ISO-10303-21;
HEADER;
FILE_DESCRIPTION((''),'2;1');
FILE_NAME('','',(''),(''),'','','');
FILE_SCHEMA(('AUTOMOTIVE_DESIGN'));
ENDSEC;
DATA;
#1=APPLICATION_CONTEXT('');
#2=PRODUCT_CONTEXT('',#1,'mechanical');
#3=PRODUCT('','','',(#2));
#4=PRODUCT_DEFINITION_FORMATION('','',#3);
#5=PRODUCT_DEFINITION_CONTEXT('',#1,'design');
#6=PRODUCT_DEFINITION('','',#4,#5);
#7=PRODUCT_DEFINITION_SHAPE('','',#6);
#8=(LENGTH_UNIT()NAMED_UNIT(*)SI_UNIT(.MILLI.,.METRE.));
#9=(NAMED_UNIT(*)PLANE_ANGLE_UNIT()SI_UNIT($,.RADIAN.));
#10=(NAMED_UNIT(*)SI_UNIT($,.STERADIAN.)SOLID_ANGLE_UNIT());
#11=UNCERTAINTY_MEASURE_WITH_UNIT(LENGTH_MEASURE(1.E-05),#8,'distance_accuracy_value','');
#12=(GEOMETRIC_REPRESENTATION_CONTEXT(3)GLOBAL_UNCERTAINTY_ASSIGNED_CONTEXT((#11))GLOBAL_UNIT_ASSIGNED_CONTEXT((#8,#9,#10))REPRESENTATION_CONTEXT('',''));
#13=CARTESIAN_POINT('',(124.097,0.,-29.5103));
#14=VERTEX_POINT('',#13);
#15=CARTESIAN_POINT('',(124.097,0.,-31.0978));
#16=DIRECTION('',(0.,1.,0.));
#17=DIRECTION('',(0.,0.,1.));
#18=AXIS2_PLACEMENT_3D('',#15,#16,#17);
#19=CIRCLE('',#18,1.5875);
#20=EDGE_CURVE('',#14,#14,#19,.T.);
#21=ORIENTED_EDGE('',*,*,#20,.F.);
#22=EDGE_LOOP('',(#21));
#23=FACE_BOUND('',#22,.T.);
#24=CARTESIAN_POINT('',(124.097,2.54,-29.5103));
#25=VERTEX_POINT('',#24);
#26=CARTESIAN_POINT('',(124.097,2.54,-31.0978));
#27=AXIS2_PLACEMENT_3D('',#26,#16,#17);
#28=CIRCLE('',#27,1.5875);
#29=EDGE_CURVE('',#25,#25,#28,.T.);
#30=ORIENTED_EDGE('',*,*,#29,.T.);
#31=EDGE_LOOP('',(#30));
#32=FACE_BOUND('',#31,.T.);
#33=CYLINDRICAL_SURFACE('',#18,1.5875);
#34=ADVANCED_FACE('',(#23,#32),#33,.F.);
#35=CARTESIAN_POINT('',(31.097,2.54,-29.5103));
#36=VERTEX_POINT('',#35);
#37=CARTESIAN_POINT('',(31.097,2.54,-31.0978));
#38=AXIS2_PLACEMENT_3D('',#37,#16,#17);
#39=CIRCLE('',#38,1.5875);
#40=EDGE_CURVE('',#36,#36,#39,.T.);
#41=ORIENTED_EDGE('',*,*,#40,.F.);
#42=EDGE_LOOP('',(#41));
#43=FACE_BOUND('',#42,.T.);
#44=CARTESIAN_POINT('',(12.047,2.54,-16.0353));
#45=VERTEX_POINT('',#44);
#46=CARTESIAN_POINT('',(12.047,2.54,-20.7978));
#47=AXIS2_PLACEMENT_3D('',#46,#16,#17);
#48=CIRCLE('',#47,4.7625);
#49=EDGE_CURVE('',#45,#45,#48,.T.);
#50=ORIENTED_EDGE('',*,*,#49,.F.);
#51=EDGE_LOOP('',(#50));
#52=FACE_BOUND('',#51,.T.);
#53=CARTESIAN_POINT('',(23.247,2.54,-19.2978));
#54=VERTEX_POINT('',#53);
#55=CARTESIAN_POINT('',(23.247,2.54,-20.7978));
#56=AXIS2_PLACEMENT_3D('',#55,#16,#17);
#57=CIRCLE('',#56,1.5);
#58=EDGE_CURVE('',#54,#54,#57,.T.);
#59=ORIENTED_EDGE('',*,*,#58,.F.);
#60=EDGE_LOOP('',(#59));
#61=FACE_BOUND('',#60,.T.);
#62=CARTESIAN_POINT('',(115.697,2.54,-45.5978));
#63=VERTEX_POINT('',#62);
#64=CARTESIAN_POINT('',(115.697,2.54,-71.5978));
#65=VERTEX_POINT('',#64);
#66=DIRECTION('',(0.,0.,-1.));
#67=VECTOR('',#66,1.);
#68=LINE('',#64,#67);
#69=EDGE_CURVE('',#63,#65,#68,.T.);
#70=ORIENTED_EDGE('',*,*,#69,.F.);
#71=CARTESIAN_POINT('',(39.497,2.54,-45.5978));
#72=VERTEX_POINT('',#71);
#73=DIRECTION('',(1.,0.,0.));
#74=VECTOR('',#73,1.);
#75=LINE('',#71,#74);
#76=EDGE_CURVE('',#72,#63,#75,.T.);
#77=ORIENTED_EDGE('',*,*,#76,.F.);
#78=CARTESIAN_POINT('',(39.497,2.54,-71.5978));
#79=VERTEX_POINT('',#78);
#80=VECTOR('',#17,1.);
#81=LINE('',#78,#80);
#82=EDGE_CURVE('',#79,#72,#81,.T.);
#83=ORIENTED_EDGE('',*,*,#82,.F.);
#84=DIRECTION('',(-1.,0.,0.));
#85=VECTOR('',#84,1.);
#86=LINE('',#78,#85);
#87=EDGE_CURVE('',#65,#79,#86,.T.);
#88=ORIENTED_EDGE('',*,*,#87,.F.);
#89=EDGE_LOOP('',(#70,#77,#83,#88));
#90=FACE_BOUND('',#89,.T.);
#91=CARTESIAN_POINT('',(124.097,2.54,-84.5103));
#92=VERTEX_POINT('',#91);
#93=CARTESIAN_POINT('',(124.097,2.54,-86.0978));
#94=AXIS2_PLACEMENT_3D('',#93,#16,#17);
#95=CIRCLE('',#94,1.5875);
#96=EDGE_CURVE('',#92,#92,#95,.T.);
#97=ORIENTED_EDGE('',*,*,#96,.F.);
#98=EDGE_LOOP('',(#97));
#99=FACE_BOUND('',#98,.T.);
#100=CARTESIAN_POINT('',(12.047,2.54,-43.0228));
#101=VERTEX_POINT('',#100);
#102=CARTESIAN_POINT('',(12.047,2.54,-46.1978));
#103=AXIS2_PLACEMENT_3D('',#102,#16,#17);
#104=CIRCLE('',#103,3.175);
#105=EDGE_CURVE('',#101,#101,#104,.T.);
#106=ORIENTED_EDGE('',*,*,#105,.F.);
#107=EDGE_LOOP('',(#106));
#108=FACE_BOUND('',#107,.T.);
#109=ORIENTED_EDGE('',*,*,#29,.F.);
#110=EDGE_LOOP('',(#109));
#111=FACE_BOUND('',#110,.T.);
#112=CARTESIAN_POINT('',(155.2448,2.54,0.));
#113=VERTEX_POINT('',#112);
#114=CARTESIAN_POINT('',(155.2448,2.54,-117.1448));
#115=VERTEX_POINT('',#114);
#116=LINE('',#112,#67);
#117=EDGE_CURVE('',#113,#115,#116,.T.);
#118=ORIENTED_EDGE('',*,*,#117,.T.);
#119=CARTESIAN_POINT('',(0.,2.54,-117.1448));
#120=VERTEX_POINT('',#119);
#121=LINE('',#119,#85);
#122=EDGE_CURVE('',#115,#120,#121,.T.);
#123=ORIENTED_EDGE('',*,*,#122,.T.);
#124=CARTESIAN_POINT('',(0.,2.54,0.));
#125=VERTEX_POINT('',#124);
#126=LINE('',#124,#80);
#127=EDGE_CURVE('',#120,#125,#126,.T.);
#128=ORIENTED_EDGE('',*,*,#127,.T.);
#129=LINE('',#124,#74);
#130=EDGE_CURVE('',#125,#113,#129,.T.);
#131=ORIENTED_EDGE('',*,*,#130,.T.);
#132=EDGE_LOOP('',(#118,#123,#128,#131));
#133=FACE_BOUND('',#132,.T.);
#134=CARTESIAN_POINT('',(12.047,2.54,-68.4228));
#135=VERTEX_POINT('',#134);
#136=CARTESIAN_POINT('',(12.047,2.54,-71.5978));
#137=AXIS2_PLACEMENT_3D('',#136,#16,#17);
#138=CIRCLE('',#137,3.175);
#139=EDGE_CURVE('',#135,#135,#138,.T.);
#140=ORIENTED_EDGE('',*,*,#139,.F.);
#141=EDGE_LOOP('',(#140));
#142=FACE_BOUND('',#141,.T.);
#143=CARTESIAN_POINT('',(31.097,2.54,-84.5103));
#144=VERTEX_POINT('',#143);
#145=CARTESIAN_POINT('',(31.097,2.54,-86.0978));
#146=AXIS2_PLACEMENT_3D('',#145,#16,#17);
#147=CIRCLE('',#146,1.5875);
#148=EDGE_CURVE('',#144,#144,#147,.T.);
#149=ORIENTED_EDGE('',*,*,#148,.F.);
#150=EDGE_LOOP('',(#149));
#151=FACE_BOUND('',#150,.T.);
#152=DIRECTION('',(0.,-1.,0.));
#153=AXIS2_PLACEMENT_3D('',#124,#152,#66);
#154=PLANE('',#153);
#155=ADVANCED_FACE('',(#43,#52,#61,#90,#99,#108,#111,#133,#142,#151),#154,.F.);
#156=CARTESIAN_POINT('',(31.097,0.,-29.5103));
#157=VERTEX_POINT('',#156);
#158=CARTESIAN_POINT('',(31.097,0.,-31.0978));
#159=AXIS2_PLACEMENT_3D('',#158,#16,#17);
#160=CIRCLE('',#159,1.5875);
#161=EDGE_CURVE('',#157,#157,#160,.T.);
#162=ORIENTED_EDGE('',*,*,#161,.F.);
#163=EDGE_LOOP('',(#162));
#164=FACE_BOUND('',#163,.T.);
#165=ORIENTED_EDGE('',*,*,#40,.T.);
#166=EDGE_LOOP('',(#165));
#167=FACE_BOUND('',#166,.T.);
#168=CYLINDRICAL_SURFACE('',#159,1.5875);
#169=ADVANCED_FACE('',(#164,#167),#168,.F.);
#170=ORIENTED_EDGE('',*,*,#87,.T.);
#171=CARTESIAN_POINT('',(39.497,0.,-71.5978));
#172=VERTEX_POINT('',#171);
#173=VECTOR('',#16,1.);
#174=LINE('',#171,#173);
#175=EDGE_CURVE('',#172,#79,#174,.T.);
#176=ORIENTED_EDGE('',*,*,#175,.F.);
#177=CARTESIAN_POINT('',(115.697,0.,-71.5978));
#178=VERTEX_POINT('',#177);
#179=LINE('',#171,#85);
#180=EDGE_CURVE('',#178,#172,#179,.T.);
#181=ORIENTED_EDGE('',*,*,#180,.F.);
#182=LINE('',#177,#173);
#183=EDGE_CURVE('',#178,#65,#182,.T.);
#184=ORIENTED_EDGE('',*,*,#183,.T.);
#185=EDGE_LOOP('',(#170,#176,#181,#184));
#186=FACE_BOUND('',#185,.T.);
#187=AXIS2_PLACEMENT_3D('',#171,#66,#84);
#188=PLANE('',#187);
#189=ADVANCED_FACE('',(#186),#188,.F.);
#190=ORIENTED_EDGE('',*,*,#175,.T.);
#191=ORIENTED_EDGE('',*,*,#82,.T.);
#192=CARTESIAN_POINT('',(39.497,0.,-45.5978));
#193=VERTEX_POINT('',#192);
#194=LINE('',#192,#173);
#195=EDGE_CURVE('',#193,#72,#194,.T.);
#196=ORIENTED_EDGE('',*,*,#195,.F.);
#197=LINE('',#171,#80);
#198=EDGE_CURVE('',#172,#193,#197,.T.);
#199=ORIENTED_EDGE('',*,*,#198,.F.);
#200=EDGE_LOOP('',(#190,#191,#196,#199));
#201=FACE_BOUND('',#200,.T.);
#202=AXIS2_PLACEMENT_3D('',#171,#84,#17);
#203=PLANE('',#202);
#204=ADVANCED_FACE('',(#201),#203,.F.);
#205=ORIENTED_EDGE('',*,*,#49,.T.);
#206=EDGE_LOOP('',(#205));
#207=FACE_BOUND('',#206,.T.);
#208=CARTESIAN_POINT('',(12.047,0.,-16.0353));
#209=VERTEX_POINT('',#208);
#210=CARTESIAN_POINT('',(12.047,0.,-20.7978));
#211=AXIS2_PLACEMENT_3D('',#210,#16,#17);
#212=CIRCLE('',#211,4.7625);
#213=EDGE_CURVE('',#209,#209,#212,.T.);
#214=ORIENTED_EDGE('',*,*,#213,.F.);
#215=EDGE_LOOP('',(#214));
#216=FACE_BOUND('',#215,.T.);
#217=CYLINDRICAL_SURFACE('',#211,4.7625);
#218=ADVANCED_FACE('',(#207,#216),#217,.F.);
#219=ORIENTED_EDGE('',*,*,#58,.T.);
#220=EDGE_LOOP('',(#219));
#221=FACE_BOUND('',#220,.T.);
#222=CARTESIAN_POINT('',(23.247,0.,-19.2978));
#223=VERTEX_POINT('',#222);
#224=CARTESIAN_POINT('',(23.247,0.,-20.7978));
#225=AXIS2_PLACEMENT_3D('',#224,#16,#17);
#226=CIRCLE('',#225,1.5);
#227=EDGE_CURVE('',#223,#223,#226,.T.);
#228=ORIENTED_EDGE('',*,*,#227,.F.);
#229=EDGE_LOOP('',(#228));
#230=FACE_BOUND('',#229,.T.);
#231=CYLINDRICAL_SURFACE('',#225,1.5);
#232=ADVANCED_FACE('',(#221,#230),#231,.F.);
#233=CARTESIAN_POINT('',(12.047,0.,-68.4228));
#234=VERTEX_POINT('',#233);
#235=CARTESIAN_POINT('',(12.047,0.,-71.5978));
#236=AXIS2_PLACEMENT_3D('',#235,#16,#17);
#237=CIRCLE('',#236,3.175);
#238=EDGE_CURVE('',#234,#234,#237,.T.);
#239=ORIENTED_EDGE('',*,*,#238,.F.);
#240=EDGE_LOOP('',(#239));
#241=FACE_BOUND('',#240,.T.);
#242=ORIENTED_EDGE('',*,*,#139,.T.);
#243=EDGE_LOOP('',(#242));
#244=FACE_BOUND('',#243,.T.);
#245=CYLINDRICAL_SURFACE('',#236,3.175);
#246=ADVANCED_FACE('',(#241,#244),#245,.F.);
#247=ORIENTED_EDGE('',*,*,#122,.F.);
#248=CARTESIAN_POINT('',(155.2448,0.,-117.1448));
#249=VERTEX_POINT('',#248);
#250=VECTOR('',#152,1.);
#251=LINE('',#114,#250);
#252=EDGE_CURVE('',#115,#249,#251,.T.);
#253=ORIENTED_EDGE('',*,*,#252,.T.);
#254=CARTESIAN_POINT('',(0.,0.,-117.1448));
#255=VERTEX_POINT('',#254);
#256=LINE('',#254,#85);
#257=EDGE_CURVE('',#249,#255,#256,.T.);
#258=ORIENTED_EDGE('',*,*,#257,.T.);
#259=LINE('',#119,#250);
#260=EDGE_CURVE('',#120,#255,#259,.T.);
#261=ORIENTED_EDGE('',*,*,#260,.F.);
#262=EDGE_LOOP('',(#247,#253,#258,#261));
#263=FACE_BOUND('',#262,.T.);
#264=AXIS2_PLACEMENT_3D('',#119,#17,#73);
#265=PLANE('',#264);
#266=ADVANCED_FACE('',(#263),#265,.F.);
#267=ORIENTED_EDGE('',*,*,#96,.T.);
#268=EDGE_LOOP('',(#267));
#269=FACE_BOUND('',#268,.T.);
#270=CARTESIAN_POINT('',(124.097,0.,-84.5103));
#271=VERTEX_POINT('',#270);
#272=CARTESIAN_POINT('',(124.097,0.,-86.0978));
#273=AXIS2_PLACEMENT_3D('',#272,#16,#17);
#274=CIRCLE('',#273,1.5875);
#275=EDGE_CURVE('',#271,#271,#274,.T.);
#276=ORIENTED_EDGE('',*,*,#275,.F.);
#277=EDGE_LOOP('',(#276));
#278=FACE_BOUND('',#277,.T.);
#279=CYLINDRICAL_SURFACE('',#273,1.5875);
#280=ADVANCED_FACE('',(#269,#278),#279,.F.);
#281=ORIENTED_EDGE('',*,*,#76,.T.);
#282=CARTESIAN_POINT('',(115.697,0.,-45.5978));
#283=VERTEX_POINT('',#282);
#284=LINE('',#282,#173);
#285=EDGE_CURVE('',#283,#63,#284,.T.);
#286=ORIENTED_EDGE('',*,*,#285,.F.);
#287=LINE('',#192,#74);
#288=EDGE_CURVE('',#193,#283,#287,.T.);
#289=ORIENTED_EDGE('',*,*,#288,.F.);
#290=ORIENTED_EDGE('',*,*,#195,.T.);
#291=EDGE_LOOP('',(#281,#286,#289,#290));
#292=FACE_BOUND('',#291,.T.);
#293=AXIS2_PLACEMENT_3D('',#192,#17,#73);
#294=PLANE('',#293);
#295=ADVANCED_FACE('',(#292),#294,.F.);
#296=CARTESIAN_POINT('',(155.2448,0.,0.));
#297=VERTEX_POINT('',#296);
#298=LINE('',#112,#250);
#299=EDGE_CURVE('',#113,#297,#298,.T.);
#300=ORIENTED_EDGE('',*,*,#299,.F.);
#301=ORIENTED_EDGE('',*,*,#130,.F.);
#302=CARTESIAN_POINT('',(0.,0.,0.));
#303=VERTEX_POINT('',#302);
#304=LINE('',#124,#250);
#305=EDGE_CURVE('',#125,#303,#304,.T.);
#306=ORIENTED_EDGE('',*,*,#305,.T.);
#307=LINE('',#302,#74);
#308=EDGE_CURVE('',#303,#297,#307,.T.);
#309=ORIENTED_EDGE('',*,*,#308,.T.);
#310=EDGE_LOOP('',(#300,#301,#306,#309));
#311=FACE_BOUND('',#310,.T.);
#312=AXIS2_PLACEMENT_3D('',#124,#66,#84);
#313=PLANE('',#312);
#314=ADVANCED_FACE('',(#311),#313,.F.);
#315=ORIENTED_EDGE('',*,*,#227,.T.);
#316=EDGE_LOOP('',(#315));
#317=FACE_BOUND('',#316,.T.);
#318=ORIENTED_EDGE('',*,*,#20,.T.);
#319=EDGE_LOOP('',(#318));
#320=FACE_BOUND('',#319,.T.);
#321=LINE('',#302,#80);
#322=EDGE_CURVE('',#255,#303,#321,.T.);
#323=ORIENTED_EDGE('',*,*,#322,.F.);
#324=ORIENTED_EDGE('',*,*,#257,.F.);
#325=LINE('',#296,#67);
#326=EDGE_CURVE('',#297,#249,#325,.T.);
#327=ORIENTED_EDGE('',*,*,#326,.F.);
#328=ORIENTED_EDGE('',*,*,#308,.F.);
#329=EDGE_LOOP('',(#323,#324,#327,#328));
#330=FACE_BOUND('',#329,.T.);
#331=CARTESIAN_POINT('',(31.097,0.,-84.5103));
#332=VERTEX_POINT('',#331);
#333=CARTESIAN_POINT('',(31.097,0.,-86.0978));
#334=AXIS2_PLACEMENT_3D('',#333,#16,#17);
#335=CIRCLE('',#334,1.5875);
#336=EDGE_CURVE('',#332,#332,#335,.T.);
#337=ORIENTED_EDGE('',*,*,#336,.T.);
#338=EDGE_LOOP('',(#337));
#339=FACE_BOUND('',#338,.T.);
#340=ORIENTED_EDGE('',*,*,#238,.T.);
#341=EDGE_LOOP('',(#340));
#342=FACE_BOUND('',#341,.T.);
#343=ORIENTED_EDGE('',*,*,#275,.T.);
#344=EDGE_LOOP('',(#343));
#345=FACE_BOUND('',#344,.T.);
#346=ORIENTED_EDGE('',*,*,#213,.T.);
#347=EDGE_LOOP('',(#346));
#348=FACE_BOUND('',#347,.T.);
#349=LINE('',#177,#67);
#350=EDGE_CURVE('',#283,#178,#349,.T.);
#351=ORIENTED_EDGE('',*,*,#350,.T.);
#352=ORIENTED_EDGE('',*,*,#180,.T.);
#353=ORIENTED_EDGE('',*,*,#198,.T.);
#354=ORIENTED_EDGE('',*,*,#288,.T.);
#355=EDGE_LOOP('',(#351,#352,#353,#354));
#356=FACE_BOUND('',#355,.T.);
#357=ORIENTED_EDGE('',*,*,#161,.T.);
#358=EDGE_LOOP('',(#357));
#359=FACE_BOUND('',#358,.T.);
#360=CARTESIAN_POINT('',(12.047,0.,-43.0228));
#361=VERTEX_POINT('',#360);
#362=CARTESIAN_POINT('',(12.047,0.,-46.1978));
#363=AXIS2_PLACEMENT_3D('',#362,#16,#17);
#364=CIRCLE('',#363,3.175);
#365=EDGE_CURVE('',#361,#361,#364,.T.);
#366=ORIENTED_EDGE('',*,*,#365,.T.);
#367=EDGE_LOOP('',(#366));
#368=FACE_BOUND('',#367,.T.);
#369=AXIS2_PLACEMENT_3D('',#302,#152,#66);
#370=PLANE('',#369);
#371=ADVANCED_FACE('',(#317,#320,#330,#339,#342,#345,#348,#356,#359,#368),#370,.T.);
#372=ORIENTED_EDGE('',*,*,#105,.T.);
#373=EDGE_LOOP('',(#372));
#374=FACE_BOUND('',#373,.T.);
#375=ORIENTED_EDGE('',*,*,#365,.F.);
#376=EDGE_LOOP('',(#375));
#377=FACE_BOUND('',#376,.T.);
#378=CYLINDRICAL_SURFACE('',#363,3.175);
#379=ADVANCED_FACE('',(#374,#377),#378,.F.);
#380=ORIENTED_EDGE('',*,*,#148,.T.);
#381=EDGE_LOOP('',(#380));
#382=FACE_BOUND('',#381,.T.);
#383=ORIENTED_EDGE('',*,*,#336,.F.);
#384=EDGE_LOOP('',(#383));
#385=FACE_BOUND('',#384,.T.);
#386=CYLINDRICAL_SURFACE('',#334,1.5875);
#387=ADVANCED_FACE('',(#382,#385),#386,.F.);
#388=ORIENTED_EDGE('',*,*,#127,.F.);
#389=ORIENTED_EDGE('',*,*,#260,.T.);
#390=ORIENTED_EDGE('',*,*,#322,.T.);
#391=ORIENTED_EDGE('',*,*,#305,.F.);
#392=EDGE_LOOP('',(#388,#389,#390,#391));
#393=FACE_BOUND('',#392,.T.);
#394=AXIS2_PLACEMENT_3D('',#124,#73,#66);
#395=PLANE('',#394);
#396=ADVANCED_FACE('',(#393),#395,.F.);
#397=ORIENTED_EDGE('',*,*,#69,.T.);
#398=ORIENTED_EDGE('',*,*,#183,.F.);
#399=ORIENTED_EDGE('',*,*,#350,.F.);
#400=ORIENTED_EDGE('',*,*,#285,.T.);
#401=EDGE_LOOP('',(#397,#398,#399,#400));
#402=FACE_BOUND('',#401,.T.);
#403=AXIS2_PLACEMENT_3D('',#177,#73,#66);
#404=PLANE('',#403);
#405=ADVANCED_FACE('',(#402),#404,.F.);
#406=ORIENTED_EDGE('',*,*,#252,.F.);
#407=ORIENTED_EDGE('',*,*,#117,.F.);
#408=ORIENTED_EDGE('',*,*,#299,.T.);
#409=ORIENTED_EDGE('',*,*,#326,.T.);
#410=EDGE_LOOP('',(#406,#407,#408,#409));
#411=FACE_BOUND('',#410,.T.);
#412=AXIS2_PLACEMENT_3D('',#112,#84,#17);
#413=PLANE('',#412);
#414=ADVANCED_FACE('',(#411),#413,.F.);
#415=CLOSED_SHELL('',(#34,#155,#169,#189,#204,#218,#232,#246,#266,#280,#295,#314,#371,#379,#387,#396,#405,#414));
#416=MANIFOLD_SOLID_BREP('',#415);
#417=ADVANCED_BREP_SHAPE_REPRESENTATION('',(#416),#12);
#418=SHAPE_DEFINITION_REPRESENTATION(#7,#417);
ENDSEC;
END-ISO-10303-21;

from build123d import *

# Parameters (mm, degrees)
SKETCH1_W           = 155.2448
SKETCH1_H           = 117.1448
BOSS_EXTRUDE1_DEPTH = 2.54
SKETCH2_R           = 1.5875
SKETCH2_R_2         = 3.175
SKETCH2_R_3         = 4.7625
SKETCH2_R_4         = 1.5
SKETCH2_W           = 76.2
SKETCH2_H           = 26
CUT_EXTRUDE1_DEPTH  = 2.54


with BuildPart() as part:
    # Sketch1 → Boss-Extrude1 (new body)
    with BuildSketch(Plane(origin=(0, 0, 0), x_dir=(1, 0, 0), z_dir=(0, 1, 0))):
        with Locations((77.6224, 58.5724)):
            Rectangle(SKETCH1_W, SKETCH1_H)
    extrude(amount=BOSS_EXTRUDE1_DEPTH)

    # Sketch2 → Cut-Extrude1 (cut)
    with BuildSketch(Plane(origin=(0, 2.54, 0), x_dir=(1, 0, 0), z_dir=(0, 1, 0))):
        with Locations((31.097, 86.0978)):
            Circle(SKETCH2_R)
        with Locations((31.097, 31.0978)):
            Circle(SKETCH2_R)
        with Locations((124.097, 86.0978)):
            Circle(SKETCH2_R)
        with Locations((124.097, 31.0978)):
            Circle(SKETCH2_R)
        with Locations((12.047, 71.5978)):
            Circle(SKETCH2_R_2)
        with Locations((12.047, 46.1978)):
            Circle(SKETCH2_R_2)
        with Locations((12.047, 20.7978)):
            Circle(SKETCH2_R_3)
        with Locations((23.247, 20.7978)):
            Circle(SKETCH2_R_4)
        with Locations((77.597, 58.5978)):
            Rectangle(SKETCH2_W, SKETCH2_H)
    extrude(amount=-CUT_EXTRUDE1_DEPTH, mode=Mode.SUBTRACT)


solid = part.part
